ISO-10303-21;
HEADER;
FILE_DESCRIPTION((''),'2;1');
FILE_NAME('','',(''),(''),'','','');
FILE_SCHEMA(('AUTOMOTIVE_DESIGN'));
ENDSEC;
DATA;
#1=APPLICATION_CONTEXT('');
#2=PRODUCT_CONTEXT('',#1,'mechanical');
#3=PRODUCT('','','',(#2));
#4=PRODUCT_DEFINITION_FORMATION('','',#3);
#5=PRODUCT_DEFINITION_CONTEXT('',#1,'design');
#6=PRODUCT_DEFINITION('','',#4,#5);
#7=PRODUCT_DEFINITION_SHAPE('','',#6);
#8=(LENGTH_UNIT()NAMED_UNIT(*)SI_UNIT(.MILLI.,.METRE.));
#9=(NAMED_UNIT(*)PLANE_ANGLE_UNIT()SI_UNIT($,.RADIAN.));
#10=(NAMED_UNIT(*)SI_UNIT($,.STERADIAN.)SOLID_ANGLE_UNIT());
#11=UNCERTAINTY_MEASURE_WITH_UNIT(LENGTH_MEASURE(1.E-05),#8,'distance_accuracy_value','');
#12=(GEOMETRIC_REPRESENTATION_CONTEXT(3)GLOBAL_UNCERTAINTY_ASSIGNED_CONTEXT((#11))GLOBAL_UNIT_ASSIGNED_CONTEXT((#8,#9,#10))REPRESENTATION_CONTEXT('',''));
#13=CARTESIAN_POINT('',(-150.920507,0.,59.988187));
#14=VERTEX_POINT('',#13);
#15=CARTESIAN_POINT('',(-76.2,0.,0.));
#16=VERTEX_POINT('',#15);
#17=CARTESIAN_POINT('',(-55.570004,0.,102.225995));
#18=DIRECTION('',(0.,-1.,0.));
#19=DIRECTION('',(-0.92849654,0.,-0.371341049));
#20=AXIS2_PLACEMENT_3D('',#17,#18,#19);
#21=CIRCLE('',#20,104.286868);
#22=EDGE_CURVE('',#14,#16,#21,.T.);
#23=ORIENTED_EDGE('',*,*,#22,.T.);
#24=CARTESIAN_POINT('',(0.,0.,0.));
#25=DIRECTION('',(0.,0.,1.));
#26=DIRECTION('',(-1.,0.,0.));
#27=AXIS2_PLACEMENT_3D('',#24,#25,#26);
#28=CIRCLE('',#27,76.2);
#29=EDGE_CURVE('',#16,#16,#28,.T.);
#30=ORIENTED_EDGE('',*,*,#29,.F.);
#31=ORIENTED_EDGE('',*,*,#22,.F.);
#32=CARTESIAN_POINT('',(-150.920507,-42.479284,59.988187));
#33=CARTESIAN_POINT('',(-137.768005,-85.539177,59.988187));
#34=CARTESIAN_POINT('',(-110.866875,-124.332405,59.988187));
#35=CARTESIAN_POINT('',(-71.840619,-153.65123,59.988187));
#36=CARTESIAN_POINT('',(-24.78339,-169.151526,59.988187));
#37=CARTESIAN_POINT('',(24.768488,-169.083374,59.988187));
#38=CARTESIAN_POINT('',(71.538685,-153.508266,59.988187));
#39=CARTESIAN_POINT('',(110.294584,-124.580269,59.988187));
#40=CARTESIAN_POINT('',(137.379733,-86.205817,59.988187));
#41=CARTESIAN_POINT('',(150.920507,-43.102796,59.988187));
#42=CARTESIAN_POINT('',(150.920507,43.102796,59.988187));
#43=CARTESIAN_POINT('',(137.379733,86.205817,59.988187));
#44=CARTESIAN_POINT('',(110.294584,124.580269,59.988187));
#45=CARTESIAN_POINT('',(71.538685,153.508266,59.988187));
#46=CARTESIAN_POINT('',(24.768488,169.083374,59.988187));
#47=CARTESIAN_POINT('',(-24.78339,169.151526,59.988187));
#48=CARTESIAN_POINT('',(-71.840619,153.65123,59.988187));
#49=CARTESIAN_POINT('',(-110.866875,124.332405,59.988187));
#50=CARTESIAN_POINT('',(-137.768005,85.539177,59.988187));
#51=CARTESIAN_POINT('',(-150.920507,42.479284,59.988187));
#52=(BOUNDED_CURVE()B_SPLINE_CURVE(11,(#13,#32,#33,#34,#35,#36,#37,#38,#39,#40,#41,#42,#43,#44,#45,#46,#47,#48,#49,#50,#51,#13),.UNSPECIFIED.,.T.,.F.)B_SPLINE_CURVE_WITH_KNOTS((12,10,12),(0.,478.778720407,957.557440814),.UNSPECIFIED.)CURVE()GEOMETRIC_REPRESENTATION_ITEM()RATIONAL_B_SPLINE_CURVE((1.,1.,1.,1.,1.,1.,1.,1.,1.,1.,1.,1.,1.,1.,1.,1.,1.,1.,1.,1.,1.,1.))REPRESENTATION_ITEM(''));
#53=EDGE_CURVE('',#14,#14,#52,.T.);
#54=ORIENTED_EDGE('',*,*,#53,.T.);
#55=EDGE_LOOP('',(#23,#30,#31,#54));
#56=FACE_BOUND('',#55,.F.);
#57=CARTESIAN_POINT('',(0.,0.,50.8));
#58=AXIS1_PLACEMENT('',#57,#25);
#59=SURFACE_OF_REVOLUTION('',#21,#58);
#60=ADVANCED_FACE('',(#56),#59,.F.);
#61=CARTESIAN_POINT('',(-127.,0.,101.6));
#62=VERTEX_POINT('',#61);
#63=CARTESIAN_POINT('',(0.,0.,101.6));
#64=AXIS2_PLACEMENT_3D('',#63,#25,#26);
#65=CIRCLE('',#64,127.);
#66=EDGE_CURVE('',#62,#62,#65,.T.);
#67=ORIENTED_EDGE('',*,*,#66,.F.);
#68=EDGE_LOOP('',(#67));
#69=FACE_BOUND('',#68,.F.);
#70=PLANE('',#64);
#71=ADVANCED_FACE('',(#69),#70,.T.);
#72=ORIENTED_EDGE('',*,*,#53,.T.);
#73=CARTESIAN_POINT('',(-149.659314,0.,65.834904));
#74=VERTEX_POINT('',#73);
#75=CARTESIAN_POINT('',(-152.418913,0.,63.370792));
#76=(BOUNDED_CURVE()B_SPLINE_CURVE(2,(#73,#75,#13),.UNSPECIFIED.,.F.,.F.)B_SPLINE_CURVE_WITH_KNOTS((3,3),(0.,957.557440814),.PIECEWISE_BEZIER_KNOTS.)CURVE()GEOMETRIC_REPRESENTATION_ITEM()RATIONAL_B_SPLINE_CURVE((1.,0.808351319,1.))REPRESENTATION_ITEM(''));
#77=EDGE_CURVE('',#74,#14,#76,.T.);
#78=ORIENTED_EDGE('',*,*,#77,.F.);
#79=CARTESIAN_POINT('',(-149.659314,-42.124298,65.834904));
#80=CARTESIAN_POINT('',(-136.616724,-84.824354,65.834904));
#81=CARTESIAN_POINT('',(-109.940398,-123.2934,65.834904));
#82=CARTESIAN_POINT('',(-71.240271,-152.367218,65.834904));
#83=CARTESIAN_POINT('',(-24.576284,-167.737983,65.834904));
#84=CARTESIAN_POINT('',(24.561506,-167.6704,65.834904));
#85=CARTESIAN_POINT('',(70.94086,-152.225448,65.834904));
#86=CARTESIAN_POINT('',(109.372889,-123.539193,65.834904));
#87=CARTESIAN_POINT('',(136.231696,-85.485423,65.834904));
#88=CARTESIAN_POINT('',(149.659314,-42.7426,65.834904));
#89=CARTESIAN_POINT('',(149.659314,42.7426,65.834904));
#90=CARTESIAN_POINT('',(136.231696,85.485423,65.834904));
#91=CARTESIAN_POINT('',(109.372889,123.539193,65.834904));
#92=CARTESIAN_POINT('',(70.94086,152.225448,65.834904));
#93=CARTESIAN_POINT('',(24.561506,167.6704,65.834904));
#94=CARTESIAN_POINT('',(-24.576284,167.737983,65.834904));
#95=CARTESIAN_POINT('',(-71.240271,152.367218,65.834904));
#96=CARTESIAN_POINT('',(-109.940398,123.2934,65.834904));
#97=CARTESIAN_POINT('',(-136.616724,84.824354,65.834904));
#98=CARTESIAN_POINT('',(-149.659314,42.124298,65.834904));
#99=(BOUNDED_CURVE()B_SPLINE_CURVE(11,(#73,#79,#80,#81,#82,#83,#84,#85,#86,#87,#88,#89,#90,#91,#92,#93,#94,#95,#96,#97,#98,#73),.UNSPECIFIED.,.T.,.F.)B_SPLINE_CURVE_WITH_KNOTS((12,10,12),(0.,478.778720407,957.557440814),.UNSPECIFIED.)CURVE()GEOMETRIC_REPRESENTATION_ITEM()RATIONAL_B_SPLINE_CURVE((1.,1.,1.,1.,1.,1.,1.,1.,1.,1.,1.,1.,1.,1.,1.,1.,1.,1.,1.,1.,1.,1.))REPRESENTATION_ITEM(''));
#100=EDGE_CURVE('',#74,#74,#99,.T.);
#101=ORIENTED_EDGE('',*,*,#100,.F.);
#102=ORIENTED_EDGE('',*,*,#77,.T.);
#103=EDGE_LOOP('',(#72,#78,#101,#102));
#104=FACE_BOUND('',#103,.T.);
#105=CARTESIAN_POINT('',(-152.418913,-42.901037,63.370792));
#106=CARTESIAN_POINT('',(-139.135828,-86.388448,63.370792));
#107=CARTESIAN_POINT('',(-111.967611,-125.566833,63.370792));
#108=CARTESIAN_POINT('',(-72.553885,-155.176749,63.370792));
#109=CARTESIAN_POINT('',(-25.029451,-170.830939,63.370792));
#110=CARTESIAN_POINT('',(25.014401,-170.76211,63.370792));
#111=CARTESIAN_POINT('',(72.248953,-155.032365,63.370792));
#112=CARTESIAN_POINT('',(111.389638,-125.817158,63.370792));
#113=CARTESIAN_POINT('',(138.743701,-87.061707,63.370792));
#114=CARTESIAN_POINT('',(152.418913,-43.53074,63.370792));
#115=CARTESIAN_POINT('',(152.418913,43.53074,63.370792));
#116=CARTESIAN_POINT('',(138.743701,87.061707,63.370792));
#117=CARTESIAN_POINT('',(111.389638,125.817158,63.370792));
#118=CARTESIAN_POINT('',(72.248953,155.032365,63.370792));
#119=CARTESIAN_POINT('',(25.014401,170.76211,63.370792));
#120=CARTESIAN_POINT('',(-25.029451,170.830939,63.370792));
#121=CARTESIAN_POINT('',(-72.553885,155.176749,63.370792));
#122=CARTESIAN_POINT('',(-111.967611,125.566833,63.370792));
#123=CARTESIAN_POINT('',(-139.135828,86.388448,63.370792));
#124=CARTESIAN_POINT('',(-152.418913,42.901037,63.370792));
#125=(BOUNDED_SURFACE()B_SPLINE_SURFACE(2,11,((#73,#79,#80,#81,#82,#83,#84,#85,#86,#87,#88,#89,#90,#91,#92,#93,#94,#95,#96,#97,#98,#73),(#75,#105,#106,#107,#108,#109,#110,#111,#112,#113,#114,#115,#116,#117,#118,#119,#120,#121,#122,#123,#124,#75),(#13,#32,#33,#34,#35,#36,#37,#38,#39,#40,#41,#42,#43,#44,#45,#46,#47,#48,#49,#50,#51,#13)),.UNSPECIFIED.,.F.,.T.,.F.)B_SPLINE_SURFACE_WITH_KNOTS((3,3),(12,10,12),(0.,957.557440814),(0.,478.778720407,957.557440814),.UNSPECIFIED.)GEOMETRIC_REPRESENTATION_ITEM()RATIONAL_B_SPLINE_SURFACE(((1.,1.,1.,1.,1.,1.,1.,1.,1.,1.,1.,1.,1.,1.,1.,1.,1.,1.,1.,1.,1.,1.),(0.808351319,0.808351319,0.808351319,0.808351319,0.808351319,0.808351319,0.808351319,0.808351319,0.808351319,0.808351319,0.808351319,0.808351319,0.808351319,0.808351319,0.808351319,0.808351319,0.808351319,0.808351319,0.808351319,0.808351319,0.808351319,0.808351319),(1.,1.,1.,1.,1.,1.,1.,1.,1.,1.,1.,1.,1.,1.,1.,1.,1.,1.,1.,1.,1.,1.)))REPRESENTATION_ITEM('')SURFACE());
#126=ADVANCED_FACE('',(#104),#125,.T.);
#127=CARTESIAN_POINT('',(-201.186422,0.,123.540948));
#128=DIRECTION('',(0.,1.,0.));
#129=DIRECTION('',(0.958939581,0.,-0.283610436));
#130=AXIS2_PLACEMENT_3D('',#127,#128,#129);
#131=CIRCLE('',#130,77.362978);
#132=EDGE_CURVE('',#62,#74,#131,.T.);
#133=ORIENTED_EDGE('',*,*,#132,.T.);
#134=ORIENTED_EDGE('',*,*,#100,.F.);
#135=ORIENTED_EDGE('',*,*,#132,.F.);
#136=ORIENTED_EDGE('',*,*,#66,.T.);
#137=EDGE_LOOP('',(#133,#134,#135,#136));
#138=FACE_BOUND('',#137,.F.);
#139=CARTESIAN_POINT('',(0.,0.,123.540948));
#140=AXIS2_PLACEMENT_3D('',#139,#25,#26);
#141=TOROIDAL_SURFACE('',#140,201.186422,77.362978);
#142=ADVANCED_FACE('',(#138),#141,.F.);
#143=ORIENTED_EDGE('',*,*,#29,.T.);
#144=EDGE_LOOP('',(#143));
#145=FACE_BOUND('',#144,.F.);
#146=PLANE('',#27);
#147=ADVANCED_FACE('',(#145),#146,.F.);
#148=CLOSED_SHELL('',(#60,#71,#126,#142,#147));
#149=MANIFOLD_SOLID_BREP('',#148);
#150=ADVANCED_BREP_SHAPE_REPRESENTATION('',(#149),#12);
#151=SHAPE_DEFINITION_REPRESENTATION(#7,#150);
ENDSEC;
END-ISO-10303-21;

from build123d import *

# Parameters (mm, degrees)
F2_R = 5.08


with BuildPart() as f1:
    # F0 (on Front) → F1 (revolve)
    with BuildSketch(Plane.XZ):
        with BuildLine():
            Line((-76.2, 0), (0, 0))
            Line((0, 0), (0, 101.6))
            Line((0, 101.6), (-127, 101.6))
            ThreePointArc((-127, 101.6), (-136.816533, 80.627689), (-152.4, 63.5))
            ThreePointArc((-152.4, 63.5), (-122.33283, 22.110604), (-76.2, 0))
        make_face()
    revolve(axis=Axis((0, 0, 50.8), (0, 0, 1)))

    # F2
    f2_edges = [f1.edges().sort_by_distance(p)[0] for p in [
        (152.4, 0, 63.5),
    ]]
    fillet(f2_edges, radius=F2_R)


solid = f1.part
